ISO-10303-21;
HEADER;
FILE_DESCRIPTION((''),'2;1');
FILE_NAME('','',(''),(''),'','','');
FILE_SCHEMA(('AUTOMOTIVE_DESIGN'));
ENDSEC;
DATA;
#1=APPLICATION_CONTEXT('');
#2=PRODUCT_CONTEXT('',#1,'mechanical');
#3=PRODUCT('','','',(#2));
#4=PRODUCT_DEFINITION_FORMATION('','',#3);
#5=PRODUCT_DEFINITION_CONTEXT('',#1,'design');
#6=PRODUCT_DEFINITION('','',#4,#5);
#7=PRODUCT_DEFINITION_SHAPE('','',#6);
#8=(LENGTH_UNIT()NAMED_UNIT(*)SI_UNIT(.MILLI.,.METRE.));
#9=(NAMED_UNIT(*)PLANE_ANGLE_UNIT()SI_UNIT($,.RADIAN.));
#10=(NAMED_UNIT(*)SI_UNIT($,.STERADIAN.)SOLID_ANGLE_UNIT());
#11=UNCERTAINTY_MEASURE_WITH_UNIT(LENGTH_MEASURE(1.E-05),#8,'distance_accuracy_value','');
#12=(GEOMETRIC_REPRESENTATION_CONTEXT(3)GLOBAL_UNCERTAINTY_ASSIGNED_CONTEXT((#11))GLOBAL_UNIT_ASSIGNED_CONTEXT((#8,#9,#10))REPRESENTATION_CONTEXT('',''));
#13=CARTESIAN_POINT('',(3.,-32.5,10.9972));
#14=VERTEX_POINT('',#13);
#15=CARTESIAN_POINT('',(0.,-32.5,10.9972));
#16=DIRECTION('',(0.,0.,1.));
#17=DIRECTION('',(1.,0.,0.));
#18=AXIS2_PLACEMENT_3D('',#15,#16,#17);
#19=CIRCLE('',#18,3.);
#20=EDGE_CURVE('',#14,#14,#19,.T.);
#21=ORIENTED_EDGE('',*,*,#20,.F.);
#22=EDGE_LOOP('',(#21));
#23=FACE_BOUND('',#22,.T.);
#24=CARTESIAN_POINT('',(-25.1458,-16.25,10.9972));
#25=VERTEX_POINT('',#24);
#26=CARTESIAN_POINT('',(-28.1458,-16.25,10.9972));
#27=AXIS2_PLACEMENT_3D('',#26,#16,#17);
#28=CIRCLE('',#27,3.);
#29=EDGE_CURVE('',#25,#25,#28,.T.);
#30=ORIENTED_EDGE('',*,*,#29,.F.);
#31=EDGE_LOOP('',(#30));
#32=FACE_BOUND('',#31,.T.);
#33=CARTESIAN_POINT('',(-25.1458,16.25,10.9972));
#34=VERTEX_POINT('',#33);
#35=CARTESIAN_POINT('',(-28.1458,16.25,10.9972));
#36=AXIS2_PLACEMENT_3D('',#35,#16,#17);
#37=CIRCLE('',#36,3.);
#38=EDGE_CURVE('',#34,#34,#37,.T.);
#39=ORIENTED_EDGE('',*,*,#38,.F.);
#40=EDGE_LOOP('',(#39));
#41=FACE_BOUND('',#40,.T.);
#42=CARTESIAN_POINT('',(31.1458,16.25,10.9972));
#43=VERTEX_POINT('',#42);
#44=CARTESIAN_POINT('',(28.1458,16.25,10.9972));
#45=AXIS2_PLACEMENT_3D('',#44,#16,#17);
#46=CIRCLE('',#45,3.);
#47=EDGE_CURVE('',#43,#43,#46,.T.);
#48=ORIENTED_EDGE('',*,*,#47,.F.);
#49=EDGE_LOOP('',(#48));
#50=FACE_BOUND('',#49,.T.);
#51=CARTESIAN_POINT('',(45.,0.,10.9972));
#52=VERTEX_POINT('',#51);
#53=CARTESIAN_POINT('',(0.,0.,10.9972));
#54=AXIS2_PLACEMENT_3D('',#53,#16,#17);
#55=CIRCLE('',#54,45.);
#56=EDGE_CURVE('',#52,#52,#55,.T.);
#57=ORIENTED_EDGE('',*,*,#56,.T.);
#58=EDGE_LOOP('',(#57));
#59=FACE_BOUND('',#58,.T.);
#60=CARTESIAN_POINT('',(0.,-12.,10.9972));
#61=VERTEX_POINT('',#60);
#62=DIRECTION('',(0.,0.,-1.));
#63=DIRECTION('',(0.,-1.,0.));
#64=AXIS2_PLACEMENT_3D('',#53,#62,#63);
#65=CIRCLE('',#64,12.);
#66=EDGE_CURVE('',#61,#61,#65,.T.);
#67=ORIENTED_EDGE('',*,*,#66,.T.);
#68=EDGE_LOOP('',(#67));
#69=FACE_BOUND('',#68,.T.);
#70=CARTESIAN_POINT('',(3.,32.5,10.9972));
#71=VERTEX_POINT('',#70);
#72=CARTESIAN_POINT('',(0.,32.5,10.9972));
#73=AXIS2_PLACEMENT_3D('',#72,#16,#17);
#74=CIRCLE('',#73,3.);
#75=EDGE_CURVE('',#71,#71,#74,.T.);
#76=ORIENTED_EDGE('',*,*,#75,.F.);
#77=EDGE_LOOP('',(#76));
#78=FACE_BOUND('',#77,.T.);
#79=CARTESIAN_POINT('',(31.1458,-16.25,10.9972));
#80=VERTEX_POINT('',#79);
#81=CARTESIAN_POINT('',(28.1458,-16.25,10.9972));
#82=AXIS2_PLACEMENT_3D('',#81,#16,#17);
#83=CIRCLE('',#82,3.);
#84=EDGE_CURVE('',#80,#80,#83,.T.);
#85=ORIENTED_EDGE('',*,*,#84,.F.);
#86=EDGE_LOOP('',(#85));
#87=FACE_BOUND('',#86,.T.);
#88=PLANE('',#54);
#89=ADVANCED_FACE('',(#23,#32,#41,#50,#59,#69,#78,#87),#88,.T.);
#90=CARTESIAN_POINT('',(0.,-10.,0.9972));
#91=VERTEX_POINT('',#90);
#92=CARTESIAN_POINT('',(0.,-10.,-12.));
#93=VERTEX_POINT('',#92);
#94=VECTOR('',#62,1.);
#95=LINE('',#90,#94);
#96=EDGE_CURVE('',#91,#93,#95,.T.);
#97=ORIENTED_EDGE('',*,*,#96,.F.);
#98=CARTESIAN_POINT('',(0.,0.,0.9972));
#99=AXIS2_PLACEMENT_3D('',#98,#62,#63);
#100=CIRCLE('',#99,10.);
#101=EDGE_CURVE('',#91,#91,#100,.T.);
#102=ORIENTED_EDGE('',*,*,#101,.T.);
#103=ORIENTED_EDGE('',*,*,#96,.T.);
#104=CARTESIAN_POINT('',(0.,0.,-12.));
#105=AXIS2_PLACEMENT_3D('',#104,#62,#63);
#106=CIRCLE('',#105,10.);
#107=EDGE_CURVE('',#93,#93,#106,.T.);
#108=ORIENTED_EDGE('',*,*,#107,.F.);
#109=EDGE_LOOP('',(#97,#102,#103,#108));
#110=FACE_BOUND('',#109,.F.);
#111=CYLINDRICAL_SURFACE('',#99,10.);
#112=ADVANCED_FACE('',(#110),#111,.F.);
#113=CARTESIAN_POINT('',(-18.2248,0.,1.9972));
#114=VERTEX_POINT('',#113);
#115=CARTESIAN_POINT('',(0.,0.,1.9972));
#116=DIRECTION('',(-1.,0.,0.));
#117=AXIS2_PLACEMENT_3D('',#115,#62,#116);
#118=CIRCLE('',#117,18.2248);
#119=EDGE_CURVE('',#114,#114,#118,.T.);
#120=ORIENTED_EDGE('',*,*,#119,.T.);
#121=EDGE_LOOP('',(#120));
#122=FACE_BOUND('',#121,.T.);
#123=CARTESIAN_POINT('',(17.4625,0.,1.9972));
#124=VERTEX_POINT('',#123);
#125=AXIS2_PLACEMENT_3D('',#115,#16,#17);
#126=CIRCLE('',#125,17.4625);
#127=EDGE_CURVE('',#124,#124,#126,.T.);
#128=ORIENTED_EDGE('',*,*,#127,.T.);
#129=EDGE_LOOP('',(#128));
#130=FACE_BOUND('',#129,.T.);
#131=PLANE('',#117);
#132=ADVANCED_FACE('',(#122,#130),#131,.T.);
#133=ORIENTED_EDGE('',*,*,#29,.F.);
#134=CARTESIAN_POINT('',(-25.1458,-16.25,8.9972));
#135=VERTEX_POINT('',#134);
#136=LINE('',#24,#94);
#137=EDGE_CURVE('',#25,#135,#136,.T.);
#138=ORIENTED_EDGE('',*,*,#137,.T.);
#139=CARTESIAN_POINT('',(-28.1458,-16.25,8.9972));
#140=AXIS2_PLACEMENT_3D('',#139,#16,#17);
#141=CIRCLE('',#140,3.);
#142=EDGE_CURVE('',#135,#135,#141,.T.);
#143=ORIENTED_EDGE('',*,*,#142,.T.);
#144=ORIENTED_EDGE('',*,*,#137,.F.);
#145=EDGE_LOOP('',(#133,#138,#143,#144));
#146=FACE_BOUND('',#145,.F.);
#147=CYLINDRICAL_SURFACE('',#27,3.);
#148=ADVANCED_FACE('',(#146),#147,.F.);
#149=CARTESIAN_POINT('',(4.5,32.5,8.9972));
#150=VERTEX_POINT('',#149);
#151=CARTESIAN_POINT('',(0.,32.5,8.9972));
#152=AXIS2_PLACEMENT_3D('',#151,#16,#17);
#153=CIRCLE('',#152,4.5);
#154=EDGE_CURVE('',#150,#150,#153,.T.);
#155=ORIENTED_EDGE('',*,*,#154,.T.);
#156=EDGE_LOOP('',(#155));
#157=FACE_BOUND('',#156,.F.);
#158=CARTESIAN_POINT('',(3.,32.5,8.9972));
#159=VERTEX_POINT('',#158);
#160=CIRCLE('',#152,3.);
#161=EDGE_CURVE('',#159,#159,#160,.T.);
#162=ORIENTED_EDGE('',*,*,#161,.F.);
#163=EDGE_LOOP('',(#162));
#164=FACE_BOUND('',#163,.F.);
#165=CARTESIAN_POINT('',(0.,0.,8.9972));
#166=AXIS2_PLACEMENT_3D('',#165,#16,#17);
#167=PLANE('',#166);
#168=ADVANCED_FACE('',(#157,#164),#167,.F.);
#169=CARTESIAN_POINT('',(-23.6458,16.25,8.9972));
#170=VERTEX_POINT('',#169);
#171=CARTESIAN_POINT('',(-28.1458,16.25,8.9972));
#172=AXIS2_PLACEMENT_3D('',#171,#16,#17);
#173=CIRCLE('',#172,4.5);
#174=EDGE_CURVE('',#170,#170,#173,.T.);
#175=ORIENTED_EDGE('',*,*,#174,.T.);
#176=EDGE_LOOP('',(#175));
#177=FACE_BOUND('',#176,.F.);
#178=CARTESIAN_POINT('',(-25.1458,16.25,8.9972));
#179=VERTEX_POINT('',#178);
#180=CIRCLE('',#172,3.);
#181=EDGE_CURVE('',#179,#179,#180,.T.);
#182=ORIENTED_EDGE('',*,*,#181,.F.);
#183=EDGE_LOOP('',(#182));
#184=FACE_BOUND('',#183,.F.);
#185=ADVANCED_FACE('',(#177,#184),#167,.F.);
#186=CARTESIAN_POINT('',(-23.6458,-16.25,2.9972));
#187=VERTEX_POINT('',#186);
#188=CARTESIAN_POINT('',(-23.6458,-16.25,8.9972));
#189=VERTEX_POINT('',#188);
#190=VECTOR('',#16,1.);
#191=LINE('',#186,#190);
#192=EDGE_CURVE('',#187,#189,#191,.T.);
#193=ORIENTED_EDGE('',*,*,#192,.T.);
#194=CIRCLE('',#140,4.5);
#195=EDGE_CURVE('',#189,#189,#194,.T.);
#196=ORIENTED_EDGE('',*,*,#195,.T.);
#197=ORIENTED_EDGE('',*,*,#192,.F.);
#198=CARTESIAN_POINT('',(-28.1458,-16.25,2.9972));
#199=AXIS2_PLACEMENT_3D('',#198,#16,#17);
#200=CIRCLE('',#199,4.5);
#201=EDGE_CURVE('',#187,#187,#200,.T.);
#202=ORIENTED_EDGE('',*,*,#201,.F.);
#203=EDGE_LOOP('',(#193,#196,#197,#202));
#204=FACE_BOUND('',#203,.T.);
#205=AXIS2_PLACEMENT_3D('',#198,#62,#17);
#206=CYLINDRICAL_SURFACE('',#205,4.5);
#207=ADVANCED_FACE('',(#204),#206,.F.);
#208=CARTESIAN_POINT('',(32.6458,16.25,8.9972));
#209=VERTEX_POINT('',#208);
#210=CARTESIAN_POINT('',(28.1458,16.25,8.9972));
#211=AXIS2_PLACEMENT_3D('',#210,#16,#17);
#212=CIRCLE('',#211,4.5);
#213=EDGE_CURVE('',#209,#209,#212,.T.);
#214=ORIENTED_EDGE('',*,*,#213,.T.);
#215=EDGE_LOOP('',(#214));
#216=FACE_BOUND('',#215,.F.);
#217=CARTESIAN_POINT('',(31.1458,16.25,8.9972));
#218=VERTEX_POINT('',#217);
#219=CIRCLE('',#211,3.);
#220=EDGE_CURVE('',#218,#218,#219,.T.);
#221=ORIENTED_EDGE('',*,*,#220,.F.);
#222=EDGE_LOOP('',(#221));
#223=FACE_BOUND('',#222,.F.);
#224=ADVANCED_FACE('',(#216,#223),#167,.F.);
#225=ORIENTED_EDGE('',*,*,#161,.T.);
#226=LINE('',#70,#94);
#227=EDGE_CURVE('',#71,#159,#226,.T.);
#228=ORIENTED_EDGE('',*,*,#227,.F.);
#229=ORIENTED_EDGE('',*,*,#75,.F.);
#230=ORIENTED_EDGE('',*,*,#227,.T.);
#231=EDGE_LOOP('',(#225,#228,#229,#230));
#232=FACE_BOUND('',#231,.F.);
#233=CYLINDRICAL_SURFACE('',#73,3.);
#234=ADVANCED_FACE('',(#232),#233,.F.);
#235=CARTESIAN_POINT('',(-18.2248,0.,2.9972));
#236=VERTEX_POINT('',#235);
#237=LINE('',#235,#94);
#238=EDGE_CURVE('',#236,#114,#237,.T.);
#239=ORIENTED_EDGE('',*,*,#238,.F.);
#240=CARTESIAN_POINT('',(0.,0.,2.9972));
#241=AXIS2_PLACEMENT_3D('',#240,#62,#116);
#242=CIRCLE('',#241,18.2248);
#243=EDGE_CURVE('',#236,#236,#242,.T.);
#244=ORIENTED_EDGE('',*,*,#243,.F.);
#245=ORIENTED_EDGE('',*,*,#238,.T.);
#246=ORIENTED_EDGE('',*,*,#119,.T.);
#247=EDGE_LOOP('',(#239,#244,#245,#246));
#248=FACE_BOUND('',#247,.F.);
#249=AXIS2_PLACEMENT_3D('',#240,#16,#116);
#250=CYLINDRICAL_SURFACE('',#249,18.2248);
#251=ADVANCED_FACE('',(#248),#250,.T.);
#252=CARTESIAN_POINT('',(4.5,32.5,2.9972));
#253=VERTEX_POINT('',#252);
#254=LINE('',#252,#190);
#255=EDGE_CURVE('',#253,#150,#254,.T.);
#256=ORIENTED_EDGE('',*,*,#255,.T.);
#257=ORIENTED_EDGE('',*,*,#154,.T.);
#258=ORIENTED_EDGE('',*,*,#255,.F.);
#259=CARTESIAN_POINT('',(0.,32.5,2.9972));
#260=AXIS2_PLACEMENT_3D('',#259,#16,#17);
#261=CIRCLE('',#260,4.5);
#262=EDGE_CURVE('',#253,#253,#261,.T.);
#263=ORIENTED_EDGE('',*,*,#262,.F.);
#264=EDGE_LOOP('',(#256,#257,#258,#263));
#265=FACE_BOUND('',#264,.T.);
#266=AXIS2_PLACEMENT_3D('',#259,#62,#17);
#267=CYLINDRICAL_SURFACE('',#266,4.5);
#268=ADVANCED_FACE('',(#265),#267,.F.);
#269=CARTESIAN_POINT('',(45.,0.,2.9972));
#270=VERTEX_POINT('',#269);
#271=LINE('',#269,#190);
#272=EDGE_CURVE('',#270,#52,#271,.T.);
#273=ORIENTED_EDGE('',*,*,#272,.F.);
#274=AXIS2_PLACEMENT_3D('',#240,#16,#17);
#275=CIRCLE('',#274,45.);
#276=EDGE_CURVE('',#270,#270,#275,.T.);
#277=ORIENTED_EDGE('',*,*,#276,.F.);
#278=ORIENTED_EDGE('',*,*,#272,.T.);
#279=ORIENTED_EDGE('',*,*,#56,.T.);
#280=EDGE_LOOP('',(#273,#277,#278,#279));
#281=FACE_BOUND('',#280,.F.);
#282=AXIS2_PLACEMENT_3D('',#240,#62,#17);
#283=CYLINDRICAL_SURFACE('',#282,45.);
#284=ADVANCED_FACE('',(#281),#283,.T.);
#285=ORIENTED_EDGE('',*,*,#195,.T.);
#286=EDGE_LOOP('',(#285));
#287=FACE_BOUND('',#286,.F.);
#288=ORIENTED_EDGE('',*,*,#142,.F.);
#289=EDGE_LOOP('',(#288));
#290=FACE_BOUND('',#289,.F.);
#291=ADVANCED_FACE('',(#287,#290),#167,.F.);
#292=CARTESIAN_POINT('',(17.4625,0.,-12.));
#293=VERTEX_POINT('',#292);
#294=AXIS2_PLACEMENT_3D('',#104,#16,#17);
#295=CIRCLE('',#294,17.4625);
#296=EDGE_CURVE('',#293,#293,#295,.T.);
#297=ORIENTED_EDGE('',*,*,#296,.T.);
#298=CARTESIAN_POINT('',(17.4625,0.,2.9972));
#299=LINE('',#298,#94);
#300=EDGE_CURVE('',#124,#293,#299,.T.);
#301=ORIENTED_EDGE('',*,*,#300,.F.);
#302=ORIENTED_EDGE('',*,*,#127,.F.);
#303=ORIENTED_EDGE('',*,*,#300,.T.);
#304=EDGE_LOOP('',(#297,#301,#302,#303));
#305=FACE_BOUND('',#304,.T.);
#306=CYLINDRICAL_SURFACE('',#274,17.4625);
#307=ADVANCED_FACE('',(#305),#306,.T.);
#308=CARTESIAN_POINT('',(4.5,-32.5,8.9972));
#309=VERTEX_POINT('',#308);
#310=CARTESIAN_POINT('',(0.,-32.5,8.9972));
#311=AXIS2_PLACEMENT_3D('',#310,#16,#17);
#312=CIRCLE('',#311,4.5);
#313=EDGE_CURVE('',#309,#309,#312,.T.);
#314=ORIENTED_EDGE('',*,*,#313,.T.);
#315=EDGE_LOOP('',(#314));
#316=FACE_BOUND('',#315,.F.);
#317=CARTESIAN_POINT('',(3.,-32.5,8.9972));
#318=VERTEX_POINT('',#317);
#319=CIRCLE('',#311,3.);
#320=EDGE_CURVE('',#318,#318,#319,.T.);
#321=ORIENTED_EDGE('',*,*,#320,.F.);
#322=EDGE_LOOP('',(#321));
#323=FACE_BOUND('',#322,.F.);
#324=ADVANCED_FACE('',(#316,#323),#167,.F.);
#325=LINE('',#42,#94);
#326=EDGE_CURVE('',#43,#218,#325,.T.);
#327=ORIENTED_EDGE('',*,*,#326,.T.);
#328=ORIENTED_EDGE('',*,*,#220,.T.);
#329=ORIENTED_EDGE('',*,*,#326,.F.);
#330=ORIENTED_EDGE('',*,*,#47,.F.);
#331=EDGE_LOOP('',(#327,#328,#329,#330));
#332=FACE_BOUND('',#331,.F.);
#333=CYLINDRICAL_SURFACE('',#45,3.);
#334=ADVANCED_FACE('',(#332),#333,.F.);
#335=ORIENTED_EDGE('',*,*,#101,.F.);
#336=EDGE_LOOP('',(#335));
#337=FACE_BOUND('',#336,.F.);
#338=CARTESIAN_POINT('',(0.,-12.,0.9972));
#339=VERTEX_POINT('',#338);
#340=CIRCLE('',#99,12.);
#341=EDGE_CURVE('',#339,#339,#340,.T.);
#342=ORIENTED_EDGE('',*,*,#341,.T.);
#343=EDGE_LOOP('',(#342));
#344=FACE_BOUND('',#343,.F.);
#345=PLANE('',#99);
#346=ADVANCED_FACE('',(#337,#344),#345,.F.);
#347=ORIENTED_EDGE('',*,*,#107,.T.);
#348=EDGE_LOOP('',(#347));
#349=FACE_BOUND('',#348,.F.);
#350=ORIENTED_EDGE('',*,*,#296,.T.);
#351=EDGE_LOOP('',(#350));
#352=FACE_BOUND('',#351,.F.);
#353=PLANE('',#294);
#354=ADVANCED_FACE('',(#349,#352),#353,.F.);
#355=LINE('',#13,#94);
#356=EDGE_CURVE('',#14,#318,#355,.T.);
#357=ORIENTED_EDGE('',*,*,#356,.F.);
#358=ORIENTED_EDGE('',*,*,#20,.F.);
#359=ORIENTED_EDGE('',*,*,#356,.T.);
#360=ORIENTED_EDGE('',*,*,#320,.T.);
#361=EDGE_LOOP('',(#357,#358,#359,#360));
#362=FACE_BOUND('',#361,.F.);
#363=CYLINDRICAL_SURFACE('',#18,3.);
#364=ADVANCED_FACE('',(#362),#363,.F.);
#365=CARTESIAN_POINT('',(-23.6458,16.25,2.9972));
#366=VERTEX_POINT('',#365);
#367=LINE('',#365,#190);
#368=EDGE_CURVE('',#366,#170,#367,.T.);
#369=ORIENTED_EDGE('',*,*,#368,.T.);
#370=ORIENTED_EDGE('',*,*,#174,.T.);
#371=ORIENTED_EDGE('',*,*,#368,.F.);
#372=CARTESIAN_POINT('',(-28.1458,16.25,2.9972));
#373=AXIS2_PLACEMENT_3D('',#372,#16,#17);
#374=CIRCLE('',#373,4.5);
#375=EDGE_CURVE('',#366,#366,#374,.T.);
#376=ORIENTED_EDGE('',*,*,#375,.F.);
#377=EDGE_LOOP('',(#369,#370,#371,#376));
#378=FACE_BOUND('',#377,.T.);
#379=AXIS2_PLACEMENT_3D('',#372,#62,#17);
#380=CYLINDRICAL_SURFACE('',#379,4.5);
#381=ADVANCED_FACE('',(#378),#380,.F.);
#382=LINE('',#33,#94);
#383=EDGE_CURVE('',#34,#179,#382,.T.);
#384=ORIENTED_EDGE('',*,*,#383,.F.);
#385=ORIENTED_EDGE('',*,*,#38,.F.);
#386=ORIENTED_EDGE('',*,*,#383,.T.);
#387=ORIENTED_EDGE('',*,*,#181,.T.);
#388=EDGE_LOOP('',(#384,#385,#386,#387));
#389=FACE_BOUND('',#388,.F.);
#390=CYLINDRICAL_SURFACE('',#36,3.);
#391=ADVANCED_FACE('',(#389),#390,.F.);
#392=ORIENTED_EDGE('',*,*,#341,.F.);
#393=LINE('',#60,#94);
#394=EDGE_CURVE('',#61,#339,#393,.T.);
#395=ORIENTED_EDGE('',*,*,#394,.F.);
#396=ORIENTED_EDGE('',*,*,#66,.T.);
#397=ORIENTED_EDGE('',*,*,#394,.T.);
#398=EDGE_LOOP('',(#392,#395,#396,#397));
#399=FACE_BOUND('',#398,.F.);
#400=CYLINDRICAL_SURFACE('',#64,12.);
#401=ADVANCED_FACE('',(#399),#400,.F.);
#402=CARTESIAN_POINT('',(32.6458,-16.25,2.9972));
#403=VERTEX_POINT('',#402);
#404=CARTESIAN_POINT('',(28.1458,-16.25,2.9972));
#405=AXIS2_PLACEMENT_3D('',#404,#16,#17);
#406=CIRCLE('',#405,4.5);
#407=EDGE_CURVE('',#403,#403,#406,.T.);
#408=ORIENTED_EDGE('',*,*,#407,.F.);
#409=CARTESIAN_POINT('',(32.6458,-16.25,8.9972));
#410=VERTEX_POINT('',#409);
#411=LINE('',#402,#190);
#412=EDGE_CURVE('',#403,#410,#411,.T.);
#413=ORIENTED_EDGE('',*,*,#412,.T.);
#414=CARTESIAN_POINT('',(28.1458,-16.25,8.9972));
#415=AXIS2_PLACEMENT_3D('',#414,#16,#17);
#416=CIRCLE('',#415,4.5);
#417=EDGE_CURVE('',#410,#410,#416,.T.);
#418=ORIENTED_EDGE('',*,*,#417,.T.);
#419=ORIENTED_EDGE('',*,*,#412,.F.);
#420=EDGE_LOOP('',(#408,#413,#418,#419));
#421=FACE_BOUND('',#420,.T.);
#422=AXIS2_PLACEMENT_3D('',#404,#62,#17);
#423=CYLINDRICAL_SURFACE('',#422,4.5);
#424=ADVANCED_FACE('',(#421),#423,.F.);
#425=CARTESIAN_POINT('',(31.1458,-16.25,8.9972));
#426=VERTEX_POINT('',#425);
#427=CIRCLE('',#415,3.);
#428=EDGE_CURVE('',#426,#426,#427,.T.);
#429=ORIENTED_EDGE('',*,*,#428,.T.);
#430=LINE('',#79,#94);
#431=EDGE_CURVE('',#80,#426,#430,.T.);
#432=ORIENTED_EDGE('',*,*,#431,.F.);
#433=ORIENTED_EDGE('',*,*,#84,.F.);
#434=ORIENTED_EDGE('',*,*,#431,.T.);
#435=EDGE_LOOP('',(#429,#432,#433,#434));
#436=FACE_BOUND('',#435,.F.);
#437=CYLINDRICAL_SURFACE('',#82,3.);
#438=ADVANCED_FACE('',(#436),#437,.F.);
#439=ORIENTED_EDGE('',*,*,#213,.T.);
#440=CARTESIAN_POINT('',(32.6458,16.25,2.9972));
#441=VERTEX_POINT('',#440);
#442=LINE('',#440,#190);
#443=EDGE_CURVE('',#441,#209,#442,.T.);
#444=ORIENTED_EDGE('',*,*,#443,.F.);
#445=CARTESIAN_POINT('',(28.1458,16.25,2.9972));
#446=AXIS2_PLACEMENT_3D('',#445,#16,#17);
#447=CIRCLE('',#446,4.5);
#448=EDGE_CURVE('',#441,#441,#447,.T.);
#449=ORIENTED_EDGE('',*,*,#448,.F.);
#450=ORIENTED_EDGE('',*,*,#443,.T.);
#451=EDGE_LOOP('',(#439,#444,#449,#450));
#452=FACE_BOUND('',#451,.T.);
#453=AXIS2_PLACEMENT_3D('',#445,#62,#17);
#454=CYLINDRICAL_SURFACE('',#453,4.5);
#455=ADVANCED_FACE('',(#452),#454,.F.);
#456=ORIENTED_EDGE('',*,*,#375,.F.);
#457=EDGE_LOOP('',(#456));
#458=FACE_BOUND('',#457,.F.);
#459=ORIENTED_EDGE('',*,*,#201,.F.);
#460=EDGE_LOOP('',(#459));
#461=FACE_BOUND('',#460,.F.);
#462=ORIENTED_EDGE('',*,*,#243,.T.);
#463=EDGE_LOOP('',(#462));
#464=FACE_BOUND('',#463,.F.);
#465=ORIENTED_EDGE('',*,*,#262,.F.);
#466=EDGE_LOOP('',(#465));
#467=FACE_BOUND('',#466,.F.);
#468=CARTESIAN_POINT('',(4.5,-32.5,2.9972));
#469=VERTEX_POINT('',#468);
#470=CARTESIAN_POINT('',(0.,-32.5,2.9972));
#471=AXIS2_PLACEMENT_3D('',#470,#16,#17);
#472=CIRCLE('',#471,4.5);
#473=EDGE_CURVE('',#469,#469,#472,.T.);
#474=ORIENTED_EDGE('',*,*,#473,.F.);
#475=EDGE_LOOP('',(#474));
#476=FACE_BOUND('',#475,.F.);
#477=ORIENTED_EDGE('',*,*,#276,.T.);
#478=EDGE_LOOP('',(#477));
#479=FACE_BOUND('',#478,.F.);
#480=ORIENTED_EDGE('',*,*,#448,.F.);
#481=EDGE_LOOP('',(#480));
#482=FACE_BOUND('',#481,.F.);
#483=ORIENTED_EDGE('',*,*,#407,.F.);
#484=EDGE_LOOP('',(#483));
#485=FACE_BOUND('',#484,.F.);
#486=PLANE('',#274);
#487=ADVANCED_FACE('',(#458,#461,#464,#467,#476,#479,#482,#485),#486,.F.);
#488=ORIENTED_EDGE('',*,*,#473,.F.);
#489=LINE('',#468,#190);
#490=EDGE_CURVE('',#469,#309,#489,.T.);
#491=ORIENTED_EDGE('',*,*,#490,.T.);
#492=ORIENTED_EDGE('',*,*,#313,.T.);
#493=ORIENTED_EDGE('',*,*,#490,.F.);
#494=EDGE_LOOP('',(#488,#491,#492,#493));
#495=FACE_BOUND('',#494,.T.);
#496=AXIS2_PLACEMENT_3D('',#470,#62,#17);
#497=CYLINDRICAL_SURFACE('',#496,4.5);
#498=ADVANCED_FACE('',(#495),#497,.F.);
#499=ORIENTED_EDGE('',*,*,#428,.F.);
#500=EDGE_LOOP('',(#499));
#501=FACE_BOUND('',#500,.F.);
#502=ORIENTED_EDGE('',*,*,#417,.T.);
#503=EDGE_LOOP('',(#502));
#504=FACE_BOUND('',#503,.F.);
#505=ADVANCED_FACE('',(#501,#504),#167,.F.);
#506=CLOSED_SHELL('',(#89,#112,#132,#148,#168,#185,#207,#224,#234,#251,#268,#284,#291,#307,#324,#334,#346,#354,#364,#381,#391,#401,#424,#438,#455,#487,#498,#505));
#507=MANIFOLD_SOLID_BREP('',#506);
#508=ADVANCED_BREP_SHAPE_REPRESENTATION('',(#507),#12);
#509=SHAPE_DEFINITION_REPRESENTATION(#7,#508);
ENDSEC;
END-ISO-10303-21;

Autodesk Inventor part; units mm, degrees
ref_plane "YZ Plane" through (0, 0, 0) normal (1, 0, 0) x (0, 1, 0)
ref_plane "Work Plane1" through (0, 0, 2.9972) normal (0, 0, 1) x (1, 0, 0)
sketch "Sketch1" plane through (0, 0, 2.9972) normal (0, 0, 1) x (1, 0, 0)
  circle A0 centre (0, 0) radius 17.4625
  circle A1 centre (0, 0) radius 32.5 construction
  circle A2 centre (0, 0) radius 45
  circle A3 centre (0, -32.5) radius 4.5
  circle A4 centre (28.1458, -16.25) radius 4.5
  circle A5 centre (28.1458, 16.25) radius 4.5
  circle A6 centre (0, 32.5) radius 4.5
  circle A7 centre (-28.1458, 16.25) radius 4.5
  circle A8 centre (-28.1458, -16.25) radius 4.5
  point P0 (0, 0)
  dimension "d1" = 65
  dimension "d0" = 34.925
  dimension "d2" = 90
  dimension "d3" = 9
  dimension "d6" = 360
extrude "Extrusion1" add sketch "Sketch1" along normal blind 8 contours A0 | A2
ref_plane "Work Plane2" through (-75, -75, -12) normal (0, 0, -1) x (0, 1, 0)
extrude "Extrusion2" add sketch "Sketch1" against normal up to surface (14.9972 mm away) contours A0
sketch "Sketch3" plane through (0, 0, 10.9972) normal (0, 0, 1) x (1, 0, 0)
  circle A0 centre (-28.1458, -16.25) radius 4.5 projected
  circle A1 centre (-28.1458, -16.25) radius 3
  circle A2 centre (0, 32.5) radius 4.5 projected
  circle A3 centre (0, 32.5) radius 3
  circle A4 centre (-28.1458, 16.25) radius 4.5 projected
  circle A5 centre (-28.1458, 16.25) radius 3
  circle A6 centre (28.1458, 16.25) radius 4.5 projected
  circle A7 centre (28.1458, 16.25) radius 3
  circle A8 centre (28.1458, -16.25) radius 4.5 projected
  circle A9 centre (28.1458, -16.25) radius 3
  circle A10 centre (0, -32.5) radius 4.5 projected
  circle A11 centre (0, -32.5) radius 3
  point P0 (0, 0)
  dimension "d12" = 6
  dimension "d13" = 6
  dimension "d14" = 6
  dimension "d15" = 6
  dimension "d16" = 6
  dimension "d17" = 6
extrude "Extrusion3" add sketch "Sketch3" against normal blind 2
sketch "Sketch4" plane through (0, 0, 10.9972) normal (0, 0, 1) x (1, 0, 0)
  point P0 (0, 0)
  point P1 (0, 0)
hole "Hole1" at (0, 0, 10.9972) direction (0, 0, -1) diameter 20 end through all counterbore diameter 24 counterbore depth 10
sketch "Sketch5" plane through (0, 0, 2.9972) normal (0, 0, -1) x (-1, 0, 0)
  circle A0 centre (0, 0) radius 15.7248
  circle A1 centre (0, 0) radius 18.2248
  circle A2 centre (0, 0) radius 17.4625 projected
  point P0 (0, 0)
  dimension "d27" = 2.5
extrude "Extrusion4" add sketch "Sketch5" along normal blind 1 contours A1
properties part number "Input pin holder"
